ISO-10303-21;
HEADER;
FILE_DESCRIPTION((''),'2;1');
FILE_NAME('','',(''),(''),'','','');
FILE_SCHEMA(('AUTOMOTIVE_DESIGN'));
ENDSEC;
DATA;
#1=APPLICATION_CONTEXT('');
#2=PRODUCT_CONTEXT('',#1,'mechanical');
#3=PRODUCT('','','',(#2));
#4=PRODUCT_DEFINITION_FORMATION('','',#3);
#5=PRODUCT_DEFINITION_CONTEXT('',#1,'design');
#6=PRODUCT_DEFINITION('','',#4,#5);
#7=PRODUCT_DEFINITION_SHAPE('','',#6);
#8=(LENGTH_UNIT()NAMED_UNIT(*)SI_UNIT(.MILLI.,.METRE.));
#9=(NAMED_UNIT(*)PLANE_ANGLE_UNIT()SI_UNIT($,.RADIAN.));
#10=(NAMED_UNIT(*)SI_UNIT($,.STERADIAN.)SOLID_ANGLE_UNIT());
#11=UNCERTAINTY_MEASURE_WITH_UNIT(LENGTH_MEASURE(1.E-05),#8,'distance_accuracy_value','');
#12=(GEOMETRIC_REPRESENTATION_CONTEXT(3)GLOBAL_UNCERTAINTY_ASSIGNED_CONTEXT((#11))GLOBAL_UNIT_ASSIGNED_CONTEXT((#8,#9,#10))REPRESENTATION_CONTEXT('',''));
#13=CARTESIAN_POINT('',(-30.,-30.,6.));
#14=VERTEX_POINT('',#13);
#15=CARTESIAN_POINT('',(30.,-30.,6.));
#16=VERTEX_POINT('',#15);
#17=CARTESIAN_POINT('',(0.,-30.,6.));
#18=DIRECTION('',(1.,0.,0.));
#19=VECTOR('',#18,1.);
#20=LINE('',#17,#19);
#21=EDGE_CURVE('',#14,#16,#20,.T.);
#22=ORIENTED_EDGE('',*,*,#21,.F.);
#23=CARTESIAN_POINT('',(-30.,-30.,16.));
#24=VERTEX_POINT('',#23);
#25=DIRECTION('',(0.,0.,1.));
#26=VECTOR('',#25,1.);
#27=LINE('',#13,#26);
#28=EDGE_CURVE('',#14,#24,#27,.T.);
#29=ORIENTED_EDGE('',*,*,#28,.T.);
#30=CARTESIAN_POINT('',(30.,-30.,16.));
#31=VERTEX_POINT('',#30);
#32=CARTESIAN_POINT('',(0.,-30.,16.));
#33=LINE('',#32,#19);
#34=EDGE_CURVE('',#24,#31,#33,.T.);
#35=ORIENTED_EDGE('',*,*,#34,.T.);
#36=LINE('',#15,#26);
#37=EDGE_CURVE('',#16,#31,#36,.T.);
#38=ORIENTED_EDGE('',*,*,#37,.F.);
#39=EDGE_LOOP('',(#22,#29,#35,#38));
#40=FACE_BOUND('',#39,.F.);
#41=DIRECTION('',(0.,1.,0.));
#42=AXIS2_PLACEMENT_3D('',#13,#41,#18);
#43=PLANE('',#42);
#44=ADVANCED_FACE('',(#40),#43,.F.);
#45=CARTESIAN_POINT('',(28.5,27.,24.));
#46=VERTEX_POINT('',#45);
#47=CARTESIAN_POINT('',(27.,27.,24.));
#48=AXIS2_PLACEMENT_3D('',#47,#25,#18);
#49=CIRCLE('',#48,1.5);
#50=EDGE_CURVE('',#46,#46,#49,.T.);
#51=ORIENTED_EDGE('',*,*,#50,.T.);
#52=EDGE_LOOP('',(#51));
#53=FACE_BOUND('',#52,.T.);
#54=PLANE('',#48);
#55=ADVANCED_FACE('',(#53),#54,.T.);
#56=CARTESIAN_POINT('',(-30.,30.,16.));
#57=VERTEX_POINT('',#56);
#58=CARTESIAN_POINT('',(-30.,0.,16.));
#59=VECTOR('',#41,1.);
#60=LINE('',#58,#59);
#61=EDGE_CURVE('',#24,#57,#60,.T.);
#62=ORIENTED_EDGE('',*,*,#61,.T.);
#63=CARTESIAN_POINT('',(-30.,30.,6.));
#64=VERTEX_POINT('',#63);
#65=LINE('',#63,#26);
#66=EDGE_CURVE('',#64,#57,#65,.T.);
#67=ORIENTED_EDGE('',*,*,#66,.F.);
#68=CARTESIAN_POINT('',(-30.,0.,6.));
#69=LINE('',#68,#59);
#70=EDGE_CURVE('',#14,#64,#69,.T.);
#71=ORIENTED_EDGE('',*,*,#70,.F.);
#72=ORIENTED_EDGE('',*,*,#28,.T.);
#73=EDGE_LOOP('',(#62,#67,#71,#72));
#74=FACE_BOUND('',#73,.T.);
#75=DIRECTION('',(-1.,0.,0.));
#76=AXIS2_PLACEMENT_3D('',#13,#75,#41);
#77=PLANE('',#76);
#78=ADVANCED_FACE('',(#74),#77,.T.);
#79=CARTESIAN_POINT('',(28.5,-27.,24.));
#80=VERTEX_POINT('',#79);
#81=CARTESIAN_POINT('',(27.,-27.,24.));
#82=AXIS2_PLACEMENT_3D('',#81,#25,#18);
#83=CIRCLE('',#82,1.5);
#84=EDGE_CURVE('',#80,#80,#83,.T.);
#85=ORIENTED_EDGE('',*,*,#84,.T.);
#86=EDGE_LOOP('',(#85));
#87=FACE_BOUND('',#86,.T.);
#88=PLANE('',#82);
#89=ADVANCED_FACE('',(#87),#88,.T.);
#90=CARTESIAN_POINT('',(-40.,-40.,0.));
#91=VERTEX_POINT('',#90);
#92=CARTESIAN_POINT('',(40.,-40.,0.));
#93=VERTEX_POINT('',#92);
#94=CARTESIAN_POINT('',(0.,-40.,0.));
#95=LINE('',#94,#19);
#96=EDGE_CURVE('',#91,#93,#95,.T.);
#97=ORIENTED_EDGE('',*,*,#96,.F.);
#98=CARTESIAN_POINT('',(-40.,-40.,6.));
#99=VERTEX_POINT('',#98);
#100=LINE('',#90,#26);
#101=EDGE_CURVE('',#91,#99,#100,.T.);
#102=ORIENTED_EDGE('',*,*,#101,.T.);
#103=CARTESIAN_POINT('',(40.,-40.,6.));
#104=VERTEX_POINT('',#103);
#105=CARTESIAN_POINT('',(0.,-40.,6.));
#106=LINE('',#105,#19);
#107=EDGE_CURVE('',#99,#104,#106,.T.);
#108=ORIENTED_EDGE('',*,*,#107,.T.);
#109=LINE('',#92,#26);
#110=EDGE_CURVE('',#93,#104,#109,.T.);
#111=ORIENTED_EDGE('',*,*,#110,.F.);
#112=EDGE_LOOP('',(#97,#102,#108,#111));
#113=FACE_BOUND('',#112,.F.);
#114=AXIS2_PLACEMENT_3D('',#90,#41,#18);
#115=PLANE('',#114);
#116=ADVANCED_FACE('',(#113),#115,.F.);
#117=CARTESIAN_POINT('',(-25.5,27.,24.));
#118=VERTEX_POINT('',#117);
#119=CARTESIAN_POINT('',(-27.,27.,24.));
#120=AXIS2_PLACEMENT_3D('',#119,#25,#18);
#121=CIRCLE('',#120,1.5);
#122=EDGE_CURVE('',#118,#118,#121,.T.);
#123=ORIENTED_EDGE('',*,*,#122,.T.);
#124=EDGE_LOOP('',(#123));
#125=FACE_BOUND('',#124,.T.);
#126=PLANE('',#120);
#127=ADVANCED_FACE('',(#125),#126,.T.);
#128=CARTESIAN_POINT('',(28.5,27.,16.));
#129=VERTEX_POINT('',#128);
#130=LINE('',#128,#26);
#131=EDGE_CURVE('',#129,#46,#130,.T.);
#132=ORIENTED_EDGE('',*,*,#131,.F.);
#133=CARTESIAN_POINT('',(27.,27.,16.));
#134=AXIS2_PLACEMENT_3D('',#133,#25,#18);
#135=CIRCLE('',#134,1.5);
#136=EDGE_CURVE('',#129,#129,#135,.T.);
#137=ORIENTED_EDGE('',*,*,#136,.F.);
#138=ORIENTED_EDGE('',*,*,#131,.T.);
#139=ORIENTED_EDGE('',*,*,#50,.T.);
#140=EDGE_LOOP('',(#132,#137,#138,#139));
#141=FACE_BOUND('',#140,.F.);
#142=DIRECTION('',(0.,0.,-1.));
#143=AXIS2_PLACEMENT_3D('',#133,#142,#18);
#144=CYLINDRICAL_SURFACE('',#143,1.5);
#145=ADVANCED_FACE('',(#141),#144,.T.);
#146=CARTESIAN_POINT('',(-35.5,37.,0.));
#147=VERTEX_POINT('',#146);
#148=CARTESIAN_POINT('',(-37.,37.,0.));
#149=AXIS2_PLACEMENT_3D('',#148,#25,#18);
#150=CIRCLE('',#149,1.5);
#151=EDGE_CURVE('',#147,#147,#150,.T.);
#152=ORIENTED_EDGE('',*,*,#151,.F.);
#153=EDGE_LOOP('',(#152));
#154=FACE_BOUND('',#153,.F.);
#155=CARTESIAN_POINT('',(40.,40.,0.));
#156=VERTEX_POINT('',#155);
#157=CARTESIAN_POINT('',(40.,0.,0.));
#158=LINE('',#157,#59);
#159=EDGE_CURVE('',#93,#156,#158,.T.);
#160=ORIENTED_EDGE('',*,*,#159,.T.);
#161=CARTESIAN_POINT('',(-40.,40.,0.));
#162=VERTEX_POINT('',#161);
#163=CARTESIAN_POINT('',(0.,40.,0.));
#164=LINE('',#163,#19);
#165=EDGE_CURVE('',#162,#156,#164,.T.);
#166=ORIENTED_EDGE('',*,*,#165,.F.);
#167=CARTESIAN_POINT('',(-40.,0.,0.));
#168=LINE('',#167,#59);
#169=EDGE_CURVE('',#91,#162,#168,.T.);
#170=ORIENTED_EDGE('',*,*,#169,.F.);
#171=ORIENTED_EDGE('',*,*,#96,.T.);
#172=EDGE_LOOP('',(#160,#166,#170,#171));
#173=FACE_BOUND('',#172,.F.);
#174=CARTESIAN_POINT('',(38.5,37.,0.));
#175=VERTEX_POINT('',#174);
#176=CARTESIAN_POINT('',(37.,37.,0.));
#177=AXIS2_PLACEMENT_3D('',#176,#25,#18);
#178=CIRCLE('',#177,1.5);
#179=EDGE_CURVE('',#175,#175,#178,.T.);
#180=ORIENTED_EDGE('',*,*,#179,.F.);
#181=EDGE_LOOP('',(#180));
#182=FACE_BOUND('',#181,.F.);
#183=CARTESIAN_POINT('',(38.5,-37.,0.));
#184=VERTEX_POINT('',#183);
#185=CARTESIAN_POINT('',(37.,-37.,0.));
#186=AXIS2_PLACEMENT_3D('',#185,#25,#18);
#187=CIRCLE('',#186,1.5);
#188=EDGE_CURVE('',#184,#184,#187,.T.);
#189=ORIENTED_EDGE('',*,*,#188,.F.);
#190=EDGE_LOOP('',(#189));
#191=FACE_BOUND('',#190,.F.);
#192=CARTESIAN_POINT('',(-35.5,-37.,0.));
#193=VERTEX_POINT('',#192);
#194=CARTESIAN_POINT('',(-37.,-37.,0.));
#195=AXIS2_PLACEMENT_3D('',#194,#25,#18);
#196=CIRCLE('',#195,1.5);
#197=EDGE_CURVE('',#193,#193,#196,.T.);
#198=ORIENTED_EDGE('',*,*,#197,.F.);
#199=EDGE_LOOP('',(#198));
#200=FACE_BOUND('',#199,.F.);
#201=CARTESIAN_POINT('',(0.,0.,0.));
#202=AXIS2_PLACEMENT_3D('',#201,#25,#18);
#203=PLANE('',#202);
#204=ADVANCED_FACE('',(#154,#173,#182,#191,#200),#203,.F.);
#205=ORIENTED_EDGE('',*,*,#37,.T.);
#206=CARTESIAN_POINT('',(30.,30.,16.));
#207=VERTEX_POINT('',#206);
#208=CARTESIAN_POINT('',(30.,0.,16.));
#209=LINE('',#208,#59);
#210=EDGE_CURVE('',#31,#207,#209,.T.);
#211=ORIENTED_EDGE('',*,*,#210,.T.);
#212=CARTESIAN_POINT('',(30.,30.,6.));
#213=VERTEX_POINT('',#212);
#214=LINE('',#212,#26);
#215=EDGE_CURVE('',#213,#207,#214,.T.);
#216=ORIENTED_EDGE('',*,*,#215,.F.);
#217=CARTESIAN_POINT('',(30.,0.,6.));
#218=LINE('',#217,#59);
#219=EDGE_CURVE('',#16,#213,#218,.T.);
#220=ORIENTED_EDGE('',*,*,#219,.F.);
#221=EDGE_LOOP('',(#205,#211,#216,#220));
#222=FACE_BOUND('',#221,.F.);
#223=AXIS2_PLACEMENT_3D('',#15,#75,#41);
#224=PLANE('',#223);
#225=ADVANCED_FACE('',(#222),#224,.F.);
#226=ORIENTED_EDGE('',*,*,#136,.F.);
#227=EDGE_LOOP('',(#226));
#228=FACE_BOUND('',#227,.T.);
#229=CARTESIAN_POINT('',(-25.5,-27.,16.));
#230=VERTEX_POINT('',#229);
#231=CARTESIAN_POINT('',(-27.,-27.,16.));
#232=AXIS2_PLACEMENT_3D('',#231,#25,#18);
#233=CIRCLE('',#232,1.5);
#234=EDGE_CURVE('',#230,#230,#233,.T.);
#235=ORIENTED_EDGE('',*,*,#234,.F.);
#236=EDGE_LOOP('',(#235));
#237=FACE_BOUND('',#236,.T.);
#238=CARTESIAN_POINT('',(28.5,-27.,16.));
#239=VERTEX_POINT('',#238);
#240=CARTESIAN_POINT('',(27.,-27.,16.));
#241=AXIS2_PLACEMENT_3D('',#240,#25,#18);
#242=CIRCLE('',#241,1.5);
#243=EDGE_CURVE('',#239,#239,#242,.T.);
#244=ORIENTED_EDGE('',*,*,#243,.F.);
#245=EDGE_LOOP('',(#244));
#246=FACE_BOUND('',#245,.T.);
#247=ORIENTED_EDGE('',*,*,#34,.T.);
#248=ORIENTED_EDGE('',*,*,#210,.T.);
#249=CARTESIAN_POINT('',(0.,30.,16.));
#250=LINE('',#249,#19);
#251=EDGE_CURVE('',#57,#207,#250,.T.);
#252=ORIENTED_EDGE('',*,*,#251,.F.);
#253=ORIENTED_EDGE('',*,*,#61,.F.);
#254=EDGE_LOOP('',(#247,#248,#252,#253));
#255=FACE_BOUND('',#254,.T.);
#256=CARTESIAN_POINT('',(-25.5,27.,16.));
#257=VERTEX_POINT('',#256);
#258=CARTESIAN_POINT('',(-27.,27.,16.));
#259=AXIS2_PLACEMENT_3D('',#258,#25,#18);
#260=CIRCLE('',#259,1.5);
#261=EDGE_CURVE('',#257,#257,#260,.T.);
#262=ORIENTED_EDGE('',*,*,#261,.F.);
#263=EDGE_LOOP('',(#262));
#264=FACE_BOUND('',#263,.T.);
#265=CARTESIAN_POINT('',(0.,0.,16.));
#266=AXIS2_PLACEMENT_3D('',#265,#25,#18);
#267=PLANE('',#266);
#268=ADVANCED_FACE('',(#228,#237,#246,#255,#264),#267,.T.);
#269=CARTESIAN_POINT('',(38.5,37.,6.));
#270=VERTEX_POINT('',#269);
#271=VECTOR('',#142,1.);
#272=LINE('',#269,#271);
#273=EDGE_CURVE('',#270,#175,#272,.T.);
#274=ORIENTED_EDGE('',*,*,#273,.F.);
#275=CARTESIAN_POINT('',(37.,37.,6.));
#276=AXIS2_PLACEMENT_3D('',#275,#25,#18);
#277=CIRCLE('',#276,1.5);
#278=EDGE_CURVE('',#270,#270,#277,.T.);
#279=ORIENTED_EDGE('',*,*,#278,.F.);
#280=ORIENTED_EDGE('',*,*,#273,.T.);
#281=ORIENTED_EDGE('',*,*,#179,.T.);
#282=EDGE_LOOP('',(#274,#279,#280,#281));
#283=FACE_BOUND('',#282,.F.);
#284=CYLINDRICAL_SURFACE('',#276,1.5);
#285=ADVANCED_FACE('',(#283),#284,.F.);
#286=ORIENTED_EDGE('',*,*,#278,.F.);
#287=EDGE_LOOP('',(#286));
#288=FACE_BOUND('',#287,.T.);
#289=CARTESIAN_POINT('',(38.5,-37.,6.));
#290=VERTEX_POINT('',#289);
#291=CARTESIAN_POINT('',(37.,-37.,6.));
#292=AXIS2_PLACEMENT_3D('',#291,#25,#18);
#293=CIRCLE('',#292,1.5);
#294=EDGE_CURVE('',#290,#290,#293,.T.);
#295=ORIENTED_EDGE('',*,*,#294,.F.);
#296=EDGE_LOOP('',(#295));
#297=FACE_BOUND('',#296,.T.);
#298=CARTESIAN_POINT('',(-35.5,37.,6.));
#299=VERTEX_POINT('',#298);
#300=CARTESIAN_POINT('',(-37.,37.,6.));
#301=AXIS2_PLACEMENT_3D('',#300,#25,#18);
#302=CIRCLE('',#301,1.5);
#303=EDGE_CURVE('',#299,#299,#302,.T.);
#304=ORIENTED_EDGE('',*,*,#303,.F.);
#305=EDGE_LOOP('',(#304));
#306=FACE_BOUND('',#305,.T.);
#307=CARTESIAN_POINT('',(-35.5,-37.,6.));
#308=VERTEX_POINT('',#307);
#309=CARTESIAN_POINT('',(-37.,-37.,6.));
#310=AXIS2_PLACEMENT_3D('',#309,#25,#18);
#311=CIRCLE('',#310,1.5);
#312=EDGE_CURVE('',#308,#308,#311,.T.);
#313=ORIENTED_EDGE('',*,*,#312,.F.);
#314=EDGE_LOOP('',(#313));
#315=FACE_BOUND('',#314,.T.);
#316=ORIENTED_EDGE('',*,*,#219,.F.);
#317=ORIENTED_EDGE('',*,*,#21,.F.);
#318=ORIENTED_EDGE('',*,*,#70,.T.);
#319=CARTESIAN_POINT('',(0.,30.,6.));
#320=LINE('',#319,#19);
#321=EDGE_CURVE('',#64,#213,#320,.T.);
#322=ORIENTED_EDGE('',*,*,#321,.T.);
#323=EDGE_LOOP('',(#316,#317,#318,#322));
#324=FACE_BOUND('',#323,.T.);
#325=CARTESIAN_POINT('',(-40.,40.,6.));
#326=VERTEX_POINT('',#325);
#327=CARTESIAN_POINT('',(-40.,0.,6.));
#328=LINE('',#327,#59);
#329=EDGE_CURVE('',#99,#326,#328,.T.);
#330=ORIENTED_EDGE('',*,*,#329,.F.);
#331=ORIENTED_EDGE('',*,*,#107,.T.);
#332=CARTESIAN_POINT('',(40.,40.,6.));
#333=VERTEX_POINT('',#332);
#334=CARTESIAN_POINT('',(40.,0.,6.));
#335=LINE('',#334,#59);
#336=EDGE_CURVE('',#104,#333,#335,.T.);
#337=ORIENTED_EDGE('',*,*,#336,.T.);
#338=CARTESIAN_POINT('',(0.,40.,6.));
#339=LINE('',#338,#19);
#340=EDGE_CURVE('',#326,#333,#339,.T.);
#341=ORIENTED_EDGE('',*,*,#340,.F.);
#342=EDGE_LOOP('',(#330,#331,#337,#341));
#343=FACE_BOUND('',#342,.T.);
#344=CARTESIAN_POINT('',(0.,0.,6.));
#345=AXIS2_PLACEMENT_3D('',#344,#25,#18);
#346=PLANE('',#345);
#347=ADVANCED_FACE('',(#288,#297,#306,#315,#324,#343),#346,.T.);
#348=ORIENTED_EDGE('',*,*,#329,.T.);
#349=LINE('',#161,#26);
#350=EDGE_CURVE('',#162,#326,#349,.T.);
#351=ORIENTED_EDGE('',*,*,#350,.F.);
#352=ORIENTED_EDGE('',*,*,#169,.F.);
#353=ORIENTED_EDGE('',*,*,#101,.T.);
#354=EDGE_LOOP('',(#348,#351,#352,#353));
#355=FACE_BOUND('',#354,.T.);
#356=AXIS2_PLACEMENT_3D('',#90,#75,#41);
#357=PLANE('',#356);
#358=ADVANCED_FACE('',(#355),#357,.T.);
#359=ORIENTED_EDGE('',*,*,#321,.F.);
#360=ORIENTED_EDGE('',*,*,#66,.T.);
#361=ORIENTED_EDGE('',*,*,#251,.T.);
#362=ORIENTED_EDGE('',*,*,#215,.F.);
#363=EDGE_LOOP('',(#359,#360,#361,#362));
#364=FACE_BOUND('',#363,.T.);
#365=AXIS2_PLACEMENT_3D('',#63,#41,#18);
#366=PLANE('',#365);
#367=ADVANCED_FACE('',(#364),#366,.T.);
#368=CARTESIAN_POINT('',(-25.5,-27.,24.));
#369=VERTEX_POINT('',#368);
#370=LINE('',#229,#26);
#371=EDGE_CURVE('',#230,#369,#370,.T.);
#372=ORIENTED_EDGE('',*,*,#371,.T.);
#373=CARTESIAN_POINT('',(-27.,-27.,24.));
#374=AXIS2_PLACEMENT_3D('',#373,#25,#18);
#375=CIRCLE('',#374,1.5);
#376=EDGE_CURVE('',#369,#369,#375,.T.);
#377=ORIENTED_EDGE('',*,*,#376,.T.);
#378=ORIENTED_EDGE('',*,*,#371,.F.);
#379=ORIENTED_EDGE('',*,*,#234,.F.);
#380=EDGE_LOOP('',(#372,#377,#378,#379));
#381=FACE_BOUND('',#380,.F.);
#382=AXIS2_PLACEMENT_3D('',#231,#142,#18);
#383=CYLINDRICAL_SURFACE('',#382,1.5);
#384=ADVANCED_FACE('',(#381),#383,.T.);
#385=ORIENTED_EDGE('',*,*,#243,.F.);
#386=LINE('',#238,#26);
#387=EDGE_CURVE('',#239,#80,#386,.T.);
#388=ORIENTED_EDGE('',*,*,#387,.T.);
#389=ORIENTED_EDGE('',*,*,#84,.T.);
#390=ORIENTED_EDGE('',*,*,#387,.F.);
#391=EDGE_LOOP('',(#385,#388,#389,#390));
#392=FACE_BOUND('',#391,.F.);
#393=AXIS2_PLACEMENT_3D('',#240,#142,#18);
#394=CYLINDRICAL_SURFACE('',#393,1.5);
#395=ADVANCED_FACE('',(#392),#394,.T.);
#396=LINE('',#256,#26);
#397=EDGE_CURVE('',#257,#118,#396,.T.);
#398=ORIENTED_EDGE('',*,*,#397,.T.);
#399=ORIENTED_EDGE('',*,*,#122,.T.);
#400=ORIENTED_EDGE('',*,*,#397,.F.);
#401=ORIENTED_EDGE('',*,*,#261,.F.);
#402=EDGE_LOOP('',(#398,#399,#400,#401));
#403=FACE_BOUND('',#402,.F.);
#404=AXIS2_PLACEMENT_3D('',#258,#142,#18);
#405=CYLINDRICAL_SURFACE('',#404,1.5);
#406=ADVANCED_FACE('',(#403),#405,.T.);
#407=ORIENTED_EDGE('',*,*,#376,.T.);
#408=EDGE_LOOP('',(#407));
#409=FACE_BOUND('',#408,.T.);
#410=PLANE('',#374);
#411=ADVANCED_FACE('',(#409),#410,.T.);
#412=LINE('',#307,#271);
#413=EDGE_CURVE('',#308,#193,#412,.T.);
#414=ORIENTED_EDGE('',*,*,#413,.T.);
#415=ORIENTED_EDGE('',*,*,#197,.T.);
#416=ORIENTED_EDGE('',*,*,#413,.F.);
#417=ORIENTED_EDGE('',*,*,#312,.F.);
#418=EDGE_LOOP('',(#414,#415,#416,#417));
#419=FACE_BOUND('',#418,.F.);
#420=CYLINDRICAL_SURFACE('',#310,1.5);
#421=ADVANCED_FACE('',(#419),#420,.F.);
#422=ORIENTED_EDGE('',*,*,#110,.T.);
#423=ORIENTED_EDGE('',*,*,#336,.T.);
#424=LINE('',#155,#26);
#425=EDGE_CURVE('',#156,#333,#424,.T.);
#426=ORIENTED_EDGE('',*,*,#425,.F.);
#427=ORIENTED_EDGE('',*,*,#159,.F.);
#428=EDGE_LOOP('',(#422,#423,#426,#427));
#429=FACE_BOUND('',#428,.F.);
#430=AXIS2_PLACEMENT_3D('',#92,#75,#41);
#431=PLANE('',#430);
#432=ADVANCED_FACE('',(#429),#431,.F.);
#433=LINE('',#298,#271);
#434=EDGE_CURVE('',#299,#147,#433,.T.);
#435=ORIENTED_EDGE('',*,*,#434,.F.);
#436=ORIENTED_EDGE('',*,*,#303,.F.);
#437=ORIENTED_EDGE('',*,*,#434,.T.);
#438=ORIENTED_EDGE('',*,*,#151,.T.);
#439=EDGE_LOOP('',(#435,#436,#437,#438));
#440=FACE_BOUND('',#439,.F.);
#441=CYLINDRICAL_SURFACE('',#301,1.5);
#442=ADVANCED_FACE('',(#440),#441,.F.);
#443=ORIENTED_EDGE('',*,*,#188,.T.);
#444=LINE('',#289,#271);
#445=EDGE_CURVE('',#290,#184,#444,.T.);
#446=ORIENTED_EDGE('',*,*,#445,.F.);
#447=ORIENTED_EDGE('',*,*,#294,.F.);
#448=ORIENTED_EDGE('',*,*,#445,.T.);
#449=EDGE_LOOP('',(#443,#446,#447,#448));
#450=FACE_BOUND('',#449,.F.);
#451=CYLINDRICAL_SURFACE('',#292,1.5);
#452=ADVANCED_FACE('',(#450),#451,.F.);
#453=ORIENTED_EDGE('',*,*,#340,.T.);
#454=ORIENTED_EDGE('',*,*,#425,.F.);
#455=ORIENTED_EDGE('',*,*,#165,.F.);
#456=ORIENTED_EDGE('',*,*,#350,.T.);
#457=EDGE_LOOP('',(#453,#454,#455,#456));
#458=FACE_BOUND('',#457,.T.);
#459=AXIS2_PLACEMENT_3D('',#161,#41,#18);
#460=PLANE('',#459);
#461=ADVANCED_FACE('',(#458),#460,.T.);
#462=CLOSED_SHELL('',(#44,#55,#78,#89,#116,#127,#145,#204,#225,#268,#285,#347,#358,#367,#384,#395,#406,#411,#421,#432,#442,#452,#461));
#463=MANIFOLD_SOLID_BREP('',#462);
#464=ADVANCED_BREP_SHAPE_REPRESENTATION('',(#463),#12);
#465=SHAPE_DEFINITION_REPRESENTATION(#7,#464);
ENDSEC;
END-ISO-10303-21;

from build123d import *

# Parameters (mm, degrees)
F0_W     = 80
F0_H     = 80
F1_DEPTH = 6
F2_W     = 60
F2_H     = 60
F3_DEPTH = 10
F4_R     = 1.5
F5_DEPTH = 8
F6_R     = 1.5
F7_DEPTH = 6


with BuildPart() as f1:
    # F0 (on Top) → F1 (new body)
    with BuildSketch(Plane.XY):
        Rectangle(F0_W, F0_H)
    extrude(amount=F1_DEPTH)

    # F2 (on face) → F3 (join)
    with BuildSketch(Plane.XY.offset(6)):
        Rectangle(F2_W, F2_H)
    extrude(amount=F3_DEPTH)

    # F4 (on face) → F5 (join)
    with BuildSketch(Plane.XY.offset(16)):
        with Locations((-27, -27)):
            Circle(F4_R)
        with Locations((27, -27)):
            Circle(F4_R)
        with Locations((27, 27)):
            Circle(F4_R)
        with Locations((-27, 27)):
            Circle(F4_R)
    extrude(amount=F5_DEPTH)

    # F6 (on face) → F7 (cut)
    with BuildSketch(Plane.XY.offset(6)):
        with Locations((-37, 37)):
            Circle(F6_R)
        with Locations((37, 37)):
            Circle(F6_R)
        with Locations((-37, -37)):
            Circle(F6_R)
        with Locations((37, -37)):
            Circle(F6_R)
    extrude(amount=-F7_DEPTH, mode=Mode.SUBTRACT)


solid = f1.part
